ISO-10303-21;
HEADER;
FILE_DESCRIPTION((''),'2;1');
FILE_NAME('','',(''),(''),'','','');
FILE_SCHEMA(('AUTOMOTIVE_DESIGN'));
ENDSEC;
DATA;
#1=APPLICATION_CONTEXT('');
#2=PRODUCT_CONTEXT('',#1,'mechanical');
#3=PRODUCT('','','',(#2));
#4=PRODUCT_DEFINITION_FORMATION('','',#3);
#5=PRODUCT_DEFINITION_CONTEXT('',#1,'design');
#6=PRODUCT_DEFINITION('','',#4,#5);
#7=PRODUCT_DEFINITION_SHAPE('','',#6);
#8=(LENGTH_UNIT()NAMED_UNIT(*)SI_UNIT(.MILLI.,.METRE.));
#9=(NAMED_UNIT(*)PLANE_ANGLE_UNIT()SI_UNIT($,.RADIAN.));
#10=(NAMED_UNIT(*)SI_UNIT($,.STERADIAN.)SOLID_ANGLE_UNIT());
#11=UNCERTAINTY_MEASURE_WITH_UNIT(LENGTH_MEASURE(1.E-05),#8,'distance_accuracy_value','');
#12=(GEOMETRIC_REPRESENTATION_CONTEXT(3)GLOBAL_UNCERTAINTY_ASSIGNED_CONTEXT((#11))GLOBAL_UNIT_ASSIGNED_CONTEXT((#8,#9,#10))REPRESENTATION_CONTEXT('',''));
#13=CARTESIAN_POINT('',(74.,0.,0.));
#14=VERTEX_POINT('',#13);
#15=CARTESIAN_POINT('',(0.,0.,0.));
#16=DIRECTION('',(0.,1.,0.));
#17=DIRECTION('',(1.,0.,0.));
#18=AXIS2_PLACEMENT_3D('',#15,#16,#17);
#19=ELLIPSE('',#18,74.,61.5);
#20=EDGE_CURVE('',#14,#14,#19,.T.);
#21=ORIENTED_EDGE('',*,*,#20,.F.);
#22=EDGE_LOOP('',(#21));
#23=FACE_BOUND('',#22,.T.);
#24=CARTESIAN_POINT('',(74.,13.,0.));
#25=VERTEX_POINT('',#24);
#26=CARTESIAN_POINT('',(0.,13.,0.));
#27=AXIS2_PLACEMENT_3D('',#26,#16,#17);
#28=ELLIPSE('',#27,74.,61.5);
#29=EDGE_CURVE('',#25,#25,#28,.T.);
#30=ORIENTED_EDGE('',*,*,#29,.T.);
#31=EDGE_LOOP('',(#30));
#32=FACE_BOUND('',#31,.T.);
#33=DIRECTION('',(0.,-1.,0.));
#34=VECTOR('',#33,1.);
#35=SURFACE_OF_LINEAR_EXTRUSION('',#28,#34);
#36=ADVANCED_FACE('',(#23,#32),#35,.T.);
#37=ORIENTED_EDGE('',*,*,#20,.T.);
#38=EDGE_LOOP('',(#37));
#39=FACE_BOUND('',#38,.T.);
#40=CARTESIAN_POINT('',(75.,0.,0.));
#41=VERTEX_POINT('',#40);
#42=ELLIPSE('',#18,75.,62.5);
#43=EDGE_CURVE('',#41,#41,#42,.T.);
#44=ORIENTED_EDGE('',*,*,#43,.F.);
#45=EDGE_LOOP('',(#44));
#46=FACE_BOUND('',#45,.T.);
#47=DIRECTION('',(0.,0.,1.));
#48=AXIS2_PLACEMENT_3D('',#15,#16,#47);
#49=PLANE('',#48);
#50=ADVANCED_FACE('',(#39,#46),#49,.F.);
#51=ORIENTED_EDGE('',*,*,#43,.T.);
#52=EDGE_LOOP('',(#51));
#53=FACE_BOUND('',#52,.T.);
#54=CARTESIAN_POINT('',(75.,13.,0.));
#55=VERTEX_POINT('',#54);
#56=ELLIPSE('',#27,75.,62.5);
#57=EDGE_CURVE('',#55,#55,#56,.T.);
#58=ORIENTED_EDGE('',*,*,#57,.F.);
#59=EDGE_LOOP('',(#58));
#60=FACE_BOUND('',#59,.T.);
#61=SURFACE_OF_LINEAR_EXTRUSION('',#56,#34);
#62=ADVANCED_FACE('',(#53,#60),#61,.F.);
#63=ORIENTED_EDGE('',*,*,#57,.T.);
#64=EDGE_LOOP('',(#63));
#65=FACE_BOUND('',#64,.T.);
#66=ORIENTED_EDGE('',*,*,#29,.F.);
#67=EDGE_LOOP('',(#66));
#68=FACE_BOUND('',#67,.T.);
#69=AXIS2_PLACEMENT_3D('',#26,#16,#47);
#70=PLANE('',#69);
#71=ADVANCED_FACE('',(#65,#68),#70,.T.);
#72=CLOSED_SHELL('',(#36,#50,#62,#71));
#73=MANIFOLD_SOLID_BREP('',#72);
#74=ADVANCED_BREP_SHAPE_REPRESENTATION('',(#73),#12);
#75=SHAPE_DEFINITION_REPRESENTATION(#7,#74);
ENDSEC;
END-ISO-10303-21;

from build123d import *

# Parameters (mm, degrees)
SKETCH1_RX          = 75
SKETCH1_RY          = 62.5
SKETCH1_RX_2        = 74
SKETCH1_RY_2        = 61.5
BOSS_EXTRUDE1_DEPTH = 13


with BuildPart() as part:
    # Sketch1 → Boss-Extrude1 (new body)
    with BuildSketch(Plane(origin=(0, 0, 0), x_dir=(1, 0, 0), z_dir=(0, 1, 0))):
        with Locations((0, 0)):
            Ellipse(SKETCH1_RX, SKETCH1_RY)
        with Locations((0, 0)):
            Ellipse(SKETCH1_RX_2, SKETCH1_RY_2, mode=Mode.SUBTRACT)
    extrude(amount=BOSS_EXTRUDE1_DEPTH)


solid = part.part
